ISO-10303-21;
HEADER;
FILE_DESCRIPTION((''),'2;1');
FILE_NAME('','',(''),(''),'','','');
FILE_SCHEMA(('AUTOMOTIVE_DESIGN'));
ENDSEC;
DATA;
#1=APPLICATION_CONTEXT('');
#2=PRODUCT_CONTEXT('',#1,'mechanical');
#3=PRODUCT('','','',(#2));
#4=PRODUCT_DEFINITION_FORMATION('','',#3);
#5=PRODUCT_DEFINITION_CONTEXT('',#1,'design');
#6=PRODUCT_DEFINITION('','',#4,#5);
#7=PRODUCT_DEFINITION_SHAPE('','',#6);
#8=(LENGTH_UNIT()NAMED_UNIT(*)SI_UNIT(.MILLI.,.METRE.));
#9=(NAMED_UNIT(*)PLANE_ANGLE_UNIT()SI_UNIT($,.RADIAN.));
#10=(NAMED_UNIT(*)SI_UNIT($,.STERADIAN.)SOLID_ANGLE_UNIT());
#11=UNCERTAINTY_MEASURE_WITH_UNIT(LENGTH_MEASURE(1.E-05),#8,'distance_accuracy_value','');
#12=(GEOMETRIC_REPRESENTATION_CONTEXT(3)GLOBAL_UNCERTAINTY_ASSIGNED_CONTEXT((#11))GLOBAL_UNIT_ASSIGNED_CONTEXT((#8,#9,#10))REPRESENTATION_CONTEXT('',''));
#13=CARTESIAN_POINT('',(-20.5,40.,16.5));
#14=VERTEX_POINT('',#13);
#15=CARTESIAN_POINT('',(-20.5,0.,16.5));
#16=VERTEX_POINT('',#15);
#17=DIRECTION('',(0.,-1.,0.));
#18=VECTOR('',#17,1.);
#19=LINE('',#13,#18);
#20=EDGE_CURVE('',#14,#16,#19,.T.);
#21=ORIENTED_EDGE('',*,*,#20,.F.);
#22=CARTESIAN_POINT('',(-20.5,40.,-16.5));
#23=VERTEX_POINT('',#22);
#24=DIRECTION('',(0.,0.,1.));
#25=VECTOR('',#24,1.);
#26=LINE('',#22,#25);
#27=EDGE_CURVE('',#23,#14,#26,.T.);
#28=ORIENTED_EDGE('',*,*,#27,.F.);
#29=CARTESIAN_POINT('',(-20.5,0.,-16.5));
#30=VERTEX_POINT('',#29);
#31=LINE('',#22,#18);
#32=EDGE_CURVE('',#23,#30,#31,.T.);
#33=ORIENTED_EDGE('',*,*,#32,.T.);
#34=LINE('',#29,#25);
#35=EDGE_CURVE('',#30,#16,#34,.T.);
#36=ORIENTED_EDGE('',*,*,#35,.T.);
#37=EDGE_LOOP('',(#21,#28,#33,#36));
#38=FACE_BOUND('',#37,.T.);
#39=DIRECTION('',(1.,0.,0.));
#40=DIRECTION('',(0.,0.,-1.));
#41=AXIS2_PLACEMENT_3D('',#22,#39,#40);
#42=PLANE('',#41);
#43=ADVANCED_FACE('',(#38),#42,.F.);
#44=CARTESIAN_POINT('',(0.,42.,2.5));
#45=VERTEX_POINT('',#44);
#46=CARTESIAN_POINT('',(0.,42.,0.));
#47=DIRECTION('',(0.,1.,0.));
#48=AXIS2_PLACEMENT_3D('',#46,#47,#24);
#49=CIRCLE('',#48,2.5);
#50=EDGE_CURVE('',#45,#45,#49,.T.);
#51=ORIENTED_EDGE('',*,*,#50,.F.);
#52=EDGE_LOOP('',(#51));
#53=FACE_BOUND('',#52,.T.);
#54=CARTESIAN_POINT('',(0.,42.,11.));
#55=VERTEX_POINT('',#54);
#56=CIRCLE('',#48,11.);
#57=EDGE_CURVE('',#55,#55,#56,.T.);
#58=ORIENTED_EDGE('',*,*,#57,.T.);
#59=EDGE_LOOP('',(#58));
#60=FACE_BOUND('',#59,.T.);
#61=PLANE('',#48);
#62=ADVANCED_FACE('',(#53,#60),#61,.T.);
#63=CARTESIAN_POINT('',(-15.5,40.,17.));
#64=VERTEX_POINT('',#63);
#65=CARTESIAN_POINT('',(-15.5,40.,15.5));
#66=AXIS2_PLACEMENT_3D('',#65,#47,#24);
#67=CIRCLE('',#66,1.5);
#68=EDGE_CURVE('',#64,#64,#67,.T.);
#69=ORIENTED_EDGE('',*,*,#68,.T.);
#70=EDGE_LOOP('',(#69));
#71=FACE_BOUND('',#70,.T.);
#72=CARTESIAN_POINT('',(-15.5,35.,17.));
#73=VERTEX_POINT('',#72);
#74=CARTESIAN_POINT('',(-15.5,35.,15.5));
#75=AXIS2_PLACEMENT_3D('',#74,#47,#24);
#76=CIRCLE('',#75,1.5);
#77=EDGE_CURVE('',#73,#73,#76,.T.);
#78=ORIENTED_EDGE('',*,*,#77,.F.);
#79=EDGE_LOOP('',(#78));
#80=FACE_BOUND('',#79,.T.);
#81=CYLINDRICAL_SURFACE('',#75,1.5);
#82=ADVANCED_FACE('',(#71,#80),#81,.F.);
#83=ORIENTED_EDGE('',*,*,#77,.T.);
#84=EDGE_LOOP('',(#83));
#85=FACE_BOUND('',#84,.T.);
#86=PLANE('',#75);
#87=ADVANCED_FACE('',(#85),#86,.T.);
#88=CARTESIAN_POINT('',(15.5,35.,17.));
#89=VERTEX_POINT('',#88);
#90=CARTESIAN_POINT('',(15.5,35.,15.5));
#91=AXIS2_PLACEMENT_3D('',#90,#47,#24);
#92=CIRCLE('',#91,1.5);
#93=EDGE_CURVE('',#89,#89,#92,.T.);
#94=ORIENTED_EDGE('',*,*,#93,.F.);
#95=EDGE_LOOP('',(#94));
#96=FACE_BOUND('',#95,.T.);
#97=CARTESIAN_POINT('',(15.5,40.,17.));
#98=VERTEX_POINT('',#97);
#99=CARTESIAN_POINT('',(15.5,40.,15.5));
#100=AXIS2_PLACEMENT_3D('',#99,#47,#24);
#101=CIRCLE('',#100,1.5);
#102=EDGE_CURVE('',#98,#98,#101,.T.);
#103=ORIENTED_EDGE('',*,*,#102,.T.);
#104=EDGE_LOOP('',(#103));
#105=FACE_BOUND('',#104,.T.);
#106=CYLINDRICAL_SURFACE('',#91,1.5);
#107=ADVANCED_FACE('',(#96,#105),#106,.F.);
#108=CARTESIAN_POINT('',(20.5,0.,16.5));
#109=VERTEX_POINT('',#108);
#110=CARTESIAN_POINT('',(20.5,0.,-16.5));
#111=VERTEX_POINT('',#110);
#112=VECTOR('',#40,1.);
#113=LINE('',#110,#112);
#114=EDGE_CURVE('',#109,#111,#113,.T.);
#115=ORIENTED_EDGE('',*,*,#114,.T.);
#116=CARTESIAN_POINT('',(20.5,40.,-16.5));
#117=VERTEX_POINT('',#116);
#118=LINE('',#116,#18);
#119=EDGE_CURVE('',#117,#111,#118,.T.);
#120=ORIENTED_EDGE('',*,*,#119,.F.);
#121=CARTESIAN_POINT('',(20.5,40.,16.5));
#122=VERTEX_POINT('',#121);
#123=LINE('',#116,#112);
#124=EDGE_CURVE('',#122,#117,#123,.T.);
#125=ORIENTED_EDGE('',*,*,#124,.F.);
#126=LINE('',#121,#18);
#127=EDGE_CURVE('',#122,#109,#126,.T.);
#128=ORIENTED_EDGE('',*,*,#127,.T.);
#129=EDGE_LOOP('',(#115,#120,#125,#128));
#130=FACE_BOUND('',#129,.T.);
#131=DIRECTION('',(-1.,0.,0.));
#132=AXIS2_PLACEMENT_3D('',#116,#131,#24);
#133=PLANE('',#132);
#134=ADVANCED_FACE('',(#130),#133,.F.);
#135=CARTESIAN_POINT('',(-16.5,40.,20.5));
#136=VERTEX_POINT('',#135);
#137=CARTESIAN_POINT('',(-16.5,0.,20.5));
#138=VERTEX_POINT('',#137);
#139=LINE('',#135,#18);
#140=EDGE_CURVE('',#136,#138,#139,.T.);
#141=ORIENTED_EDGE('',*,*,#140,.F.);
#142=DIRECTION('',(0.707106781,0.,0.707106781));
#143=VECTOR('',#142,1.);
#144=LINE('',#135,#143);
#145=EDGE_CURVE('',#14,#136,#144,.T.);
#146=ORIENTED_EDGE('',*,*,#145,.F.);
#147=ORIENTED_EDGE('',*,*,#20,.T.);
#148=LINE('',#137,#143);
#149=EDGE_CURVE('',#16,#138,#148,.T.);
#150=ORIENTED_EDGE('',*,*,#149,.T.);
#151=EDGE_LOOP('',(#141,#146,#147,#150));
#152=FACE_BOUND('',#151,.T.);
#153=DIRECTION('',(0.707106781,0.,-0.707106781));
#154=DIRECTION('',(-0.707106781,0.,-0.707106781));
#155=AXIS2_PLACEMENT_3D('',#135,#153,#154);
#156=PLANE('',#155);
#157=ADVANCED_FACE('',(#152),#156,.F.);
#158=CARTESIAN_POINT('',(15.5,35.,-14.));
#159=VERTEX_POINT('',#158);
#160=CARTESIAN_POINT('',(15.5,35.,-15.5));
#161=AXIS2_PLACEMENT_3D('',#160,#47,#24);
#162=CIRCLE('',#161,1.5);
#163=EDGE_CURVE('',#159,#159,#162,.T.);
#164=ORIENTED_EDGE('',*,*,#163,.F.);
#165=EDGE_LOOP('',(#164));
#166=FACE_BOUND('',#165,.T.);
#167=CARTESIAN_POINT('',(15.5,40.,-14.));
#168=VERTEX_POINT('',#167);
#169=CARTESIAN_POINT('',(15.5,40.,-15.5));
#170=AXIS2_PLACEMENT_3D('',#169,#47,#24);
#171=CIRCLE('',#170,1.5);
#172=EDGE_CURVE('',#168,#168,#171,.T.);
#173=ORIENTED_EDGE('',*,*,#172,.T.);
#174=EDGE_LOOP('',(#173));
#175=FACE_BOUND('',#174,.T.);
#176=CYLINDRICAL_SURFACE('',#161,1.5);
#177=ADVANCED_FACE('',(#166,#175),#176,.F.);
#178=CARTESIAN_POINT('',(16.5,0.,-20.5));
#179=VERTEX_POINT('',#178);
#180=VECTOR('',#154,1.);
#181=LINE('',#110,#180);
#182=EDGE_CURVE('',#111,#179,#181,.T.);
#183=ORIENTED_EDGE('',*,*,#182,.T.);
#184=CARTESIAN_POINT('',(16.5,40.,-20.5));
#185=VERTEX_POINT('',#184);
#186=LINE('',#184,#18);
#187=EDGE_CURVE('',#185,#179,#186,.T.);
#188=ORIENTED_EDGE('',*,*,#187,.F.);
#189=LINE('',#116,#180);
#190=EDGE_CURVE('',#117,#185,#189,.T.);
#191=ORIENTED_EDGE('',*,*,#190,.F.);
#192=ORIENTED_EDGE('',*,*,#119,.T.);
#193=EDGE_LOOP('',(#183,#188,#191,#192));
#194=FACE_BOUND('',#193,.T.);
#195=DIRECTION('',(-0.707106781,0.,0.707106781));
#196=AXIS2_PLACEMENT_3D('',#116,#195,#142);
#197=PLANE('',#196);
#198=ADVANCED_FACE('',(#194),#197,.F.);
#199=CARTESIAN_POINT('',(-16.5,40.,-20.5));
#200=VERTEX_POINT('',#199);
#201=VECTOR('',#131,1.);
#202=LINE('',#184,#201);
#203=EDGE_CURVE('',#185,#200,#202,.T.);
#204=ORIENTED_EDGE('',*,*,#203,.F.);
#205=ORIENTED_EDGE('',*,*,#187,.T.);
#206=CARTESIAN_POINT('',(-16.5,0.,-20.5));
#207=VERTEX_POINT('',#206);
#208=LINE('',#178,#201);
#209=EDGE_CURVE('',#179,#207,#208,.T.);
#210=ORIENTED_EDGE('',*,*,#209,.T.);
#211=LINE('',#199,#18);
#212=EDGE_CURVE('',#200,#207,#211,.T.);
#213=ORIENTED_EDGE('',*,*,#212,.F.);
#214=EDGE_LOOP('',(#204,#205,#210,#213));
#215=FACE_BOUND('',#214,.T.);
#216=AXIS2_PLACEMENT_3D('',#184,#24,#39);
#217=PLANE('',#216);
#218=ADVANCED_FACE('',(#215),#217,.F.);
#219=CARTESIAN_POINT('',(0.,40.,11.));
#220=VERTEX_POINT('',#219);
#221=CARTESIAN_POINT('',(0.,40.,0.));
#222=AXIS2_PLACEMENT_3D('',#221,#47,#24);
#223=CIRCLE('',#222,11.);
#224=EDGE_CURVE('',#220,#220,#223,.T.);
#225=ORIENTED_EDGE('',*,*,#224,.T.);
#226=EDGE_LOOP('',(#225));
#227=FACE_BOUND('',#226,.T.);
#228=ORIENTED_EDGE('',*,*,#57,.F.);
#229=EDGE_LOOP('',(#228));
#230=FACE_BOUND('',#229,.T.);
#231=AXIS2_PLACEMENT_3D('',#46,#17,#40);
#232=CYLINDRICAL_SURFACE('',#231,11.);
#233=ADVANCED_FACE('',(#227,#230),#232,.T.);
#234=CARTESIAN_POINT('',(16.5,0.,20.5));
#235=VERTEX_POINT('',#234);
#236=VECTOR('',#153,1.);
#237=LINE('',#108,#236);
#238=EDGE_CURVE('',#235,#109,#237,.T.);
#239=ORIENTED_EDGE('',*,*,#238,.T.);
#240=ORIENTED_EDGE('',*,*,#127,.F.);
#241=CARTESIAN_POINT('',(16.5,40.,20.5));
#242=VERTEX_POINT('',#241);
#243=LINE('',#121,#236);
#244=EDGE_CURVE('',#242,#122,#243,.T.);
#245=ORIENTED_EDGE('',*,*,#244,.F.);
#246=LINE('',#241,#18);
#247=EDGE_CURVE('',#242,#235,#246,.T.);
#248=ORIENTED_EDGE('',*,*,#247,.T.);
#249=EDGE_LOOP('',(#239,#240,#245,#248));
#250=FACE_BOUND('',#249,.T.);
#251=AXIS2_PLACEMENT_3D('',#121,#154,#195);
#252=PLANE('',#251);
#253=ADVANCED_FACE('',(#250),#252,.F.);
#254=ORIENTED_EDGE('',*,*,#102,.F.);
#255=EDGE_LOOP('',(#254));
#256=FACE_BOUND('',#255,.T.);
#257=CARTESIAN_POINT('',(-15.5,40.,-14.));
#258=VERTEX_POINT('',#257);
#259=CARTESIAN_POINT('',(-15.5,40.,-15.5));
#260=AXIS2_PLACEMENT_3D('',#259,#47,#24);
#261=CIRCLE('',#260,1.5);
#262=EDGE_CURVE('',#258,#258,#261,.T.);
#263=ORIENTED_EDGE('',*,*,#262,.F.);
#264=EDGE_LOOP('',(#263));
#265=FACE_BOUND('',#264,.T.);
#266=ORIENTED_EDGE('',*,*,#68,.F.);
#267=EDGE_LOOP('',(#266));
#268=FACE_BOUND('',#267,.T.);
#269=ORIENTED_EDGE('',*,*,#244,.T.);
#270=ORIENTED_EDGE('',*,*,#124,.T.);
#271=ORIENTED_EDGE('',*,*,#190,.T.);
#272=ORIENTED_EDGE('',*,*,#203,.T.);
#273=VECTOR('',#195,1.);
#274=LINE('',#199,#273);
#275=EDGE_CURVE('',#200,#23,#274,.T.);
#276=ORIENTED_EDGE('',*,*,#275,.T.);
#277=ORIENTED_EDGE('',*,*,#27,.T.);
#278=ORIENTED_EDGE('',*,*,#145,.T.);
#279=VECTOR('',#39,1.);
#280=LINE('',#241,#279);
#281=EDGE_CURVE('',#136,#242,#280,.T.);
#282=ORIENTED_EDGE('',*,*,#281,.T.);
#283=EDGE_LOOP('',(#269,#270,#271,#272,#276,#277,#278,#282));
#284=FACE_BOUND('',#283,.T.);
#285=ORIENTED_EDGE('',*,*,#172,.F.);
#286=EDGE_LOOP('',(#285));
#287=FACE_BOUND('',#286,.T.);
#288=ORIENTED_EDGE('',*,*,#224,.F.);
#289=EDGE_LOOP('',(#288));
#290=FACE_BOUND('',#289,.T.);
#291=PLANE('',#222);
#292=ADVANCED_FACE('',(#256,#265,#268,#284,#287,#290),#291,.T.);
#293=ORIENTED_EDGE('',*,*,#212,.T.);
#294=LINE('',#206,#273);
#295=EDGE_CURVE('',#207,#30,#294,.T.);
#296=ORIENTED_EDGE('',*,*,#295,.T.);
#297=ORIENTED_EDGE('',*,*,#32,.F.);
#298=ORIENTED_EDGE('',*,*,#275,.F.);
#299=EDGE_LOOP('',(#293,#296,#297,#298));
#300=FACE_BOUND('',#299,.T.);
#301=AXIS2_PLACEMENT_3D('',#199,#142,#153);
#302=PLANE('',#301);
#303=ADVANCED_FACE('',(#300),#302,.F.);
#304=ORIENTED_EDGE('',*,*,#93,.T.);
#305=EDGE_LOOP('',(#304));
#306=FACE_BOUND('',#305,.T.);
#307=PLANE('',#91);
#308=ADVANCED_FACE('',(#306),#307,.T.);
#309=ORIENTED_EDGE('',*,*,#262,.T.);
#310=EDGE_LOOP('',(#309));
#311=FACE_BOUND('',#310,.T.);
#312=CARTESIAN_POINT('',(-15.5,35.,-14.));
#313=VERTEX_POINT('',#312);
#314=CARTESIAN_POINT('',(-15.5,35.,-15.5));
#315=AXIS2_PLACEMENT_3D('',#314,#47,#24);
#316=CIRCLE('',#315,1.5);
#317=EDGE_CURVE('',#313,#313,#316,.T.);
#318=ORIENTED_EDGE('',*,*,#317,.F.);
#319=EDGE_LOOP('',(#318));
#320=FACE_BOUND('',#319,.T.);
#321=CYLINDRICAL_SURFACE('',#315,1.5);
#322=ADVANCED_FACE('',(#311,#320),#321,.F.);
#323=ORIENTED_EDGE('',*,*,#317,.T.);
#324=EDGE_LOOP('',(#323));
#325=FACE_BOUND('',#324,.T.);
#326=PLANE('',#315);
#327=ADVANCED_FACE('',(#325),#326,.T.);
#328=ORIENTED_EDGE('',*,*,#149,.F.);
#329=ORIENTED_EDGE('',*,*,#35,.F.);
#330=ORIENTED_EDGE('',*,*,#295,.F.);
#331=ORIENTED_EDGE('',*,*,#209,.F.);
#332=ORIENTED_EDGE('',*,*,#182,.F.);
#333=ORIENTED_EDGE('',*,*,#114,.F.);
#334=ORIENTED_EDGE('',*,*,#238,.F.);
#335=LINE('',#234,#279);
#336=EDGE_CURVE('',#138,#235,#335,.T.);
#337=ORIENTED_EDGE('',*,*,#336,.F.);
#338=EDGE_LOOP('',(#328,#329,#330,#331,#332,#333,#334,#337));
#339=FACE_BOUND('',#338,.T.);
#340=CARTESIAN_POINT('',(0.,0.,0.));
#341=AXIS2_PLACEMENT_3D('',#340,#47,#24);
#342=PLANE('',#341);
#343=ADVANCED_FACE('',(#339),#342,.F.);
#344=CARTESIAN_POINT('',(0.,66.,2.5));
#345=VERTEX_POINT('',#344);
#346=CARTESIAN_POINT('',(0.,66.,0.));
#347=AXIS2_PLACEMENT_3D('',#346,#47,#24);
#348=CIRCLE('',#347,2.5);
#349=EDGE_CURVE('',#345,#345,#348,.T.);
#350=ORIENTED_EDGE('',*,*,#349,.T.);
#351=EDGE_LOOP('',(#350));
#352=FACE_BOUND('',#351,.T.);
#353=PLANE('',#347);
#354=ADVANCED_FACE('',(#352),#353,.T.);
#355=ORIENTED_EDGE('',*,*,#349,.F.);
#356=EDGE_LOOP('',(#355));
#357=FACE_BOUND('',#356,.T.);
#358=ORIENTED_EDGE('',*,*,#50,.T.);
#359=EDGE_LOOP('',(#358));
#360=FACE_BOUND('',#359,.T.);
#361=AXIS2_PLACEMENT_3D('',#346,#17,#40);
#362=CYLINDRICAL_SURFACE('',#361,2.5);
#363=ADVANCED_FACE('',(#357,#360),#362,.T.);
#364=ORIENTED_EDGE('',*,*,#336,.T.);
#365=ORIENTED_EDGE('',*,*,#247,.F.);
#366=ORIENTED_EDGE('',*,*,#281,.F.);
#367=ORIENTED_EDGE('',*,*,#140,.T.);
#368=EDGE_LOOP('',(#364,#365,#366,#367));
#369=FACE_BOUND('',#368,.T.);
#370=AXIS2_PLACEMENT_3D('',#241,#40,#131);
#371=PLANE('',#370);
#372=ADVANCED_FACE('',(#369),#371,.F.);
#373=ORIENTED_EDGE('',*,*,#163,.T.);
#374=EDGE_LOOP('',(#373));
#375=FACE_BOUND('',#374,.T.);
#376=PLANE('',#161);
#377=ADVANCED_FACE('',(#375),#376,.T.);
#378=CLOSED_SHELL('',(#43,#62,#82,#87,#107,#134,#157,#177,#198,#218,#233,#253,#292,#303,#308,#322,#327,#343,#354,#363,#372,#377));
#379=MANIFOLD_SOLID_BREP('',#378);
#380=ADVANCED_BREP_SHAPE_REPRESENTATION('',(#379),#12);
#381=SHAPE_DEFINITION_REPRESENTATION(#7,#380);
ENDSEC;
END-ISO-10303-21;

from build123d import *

# Parameters (mm, degrees)
BOSS_EXTRUDE1_DEPTH = 40
SKETCH2_R           = 11
BOSS_EXTRUDE2_DEPTH = 2
SKETCH3_R           = 2.5
BOSS_EXTRUDE3_DEPTH = 24
SKETCH4_R           = 1.5
CUT_EXTRUDE1_DEPTH  = 5


with BuildPart() as part:
    # Sketch1 → Boss-Extrude1 (new body)
    with BuildSketch(Plane(origin=(0, 0, 0), x_dir=(1, 0, 0), z_dir=(0, 1, 0))):
        Polygon((-16.5, 20.5), (-20.5, 16.5), (-20.5, -16.5), (-16.5, -20.5), (16.5, -20.5), (20.5, -16.5), (20.5, 16.5), (16.5, 20.5), align=None)
    extrude(amount=BOSS_EXTRUDE1_DEPTH)

    # Sketch2 → Boss-Extrude2 (add)
    with BuildSketch(Plane(origin=(0, 40, 0), x_dir=(1, 0, 0), z_dir=(0, 1, 0))):
        Circle(SKETCH2_R)
    extrude(amount=BOSS_EXTRUDE2_DEPTH)

    # Sketch3 → Boss-Extrude3 (add)
    with BuildSketch(Plane(origin=(0, 42, 0), x_dir=(1, 0, 0), z_dir=(0, 1, 0))):
        Circle(SKETCH3_R)
    extrude(amount=BOSS_EXTRUDE3_DEPTH)

    # Sketch4 → Cut-Extrude1 (cut)
    with BuildSketch(Plane(origin=(0, 40, 0), x_dir=(1, 0, 0), z_dir=(0, 1, 0))):
        with Locations((-15.5, 15.5)):
            Circle(SKETCH4_R)
        with Locations((15.5, 15.5)):
            Circle(SKETCH4_R)
        with Locations((15.5, -15.5)):
            Circle(SKETCH4_R)
        with Locations((-15.5, -15.5)):
            Circle(SKETCH4_R)
    extrude(amount=-CUT_EXTRUDE1_DEPTH, mode=Mode.SUBTRACT)


solid = part.part
